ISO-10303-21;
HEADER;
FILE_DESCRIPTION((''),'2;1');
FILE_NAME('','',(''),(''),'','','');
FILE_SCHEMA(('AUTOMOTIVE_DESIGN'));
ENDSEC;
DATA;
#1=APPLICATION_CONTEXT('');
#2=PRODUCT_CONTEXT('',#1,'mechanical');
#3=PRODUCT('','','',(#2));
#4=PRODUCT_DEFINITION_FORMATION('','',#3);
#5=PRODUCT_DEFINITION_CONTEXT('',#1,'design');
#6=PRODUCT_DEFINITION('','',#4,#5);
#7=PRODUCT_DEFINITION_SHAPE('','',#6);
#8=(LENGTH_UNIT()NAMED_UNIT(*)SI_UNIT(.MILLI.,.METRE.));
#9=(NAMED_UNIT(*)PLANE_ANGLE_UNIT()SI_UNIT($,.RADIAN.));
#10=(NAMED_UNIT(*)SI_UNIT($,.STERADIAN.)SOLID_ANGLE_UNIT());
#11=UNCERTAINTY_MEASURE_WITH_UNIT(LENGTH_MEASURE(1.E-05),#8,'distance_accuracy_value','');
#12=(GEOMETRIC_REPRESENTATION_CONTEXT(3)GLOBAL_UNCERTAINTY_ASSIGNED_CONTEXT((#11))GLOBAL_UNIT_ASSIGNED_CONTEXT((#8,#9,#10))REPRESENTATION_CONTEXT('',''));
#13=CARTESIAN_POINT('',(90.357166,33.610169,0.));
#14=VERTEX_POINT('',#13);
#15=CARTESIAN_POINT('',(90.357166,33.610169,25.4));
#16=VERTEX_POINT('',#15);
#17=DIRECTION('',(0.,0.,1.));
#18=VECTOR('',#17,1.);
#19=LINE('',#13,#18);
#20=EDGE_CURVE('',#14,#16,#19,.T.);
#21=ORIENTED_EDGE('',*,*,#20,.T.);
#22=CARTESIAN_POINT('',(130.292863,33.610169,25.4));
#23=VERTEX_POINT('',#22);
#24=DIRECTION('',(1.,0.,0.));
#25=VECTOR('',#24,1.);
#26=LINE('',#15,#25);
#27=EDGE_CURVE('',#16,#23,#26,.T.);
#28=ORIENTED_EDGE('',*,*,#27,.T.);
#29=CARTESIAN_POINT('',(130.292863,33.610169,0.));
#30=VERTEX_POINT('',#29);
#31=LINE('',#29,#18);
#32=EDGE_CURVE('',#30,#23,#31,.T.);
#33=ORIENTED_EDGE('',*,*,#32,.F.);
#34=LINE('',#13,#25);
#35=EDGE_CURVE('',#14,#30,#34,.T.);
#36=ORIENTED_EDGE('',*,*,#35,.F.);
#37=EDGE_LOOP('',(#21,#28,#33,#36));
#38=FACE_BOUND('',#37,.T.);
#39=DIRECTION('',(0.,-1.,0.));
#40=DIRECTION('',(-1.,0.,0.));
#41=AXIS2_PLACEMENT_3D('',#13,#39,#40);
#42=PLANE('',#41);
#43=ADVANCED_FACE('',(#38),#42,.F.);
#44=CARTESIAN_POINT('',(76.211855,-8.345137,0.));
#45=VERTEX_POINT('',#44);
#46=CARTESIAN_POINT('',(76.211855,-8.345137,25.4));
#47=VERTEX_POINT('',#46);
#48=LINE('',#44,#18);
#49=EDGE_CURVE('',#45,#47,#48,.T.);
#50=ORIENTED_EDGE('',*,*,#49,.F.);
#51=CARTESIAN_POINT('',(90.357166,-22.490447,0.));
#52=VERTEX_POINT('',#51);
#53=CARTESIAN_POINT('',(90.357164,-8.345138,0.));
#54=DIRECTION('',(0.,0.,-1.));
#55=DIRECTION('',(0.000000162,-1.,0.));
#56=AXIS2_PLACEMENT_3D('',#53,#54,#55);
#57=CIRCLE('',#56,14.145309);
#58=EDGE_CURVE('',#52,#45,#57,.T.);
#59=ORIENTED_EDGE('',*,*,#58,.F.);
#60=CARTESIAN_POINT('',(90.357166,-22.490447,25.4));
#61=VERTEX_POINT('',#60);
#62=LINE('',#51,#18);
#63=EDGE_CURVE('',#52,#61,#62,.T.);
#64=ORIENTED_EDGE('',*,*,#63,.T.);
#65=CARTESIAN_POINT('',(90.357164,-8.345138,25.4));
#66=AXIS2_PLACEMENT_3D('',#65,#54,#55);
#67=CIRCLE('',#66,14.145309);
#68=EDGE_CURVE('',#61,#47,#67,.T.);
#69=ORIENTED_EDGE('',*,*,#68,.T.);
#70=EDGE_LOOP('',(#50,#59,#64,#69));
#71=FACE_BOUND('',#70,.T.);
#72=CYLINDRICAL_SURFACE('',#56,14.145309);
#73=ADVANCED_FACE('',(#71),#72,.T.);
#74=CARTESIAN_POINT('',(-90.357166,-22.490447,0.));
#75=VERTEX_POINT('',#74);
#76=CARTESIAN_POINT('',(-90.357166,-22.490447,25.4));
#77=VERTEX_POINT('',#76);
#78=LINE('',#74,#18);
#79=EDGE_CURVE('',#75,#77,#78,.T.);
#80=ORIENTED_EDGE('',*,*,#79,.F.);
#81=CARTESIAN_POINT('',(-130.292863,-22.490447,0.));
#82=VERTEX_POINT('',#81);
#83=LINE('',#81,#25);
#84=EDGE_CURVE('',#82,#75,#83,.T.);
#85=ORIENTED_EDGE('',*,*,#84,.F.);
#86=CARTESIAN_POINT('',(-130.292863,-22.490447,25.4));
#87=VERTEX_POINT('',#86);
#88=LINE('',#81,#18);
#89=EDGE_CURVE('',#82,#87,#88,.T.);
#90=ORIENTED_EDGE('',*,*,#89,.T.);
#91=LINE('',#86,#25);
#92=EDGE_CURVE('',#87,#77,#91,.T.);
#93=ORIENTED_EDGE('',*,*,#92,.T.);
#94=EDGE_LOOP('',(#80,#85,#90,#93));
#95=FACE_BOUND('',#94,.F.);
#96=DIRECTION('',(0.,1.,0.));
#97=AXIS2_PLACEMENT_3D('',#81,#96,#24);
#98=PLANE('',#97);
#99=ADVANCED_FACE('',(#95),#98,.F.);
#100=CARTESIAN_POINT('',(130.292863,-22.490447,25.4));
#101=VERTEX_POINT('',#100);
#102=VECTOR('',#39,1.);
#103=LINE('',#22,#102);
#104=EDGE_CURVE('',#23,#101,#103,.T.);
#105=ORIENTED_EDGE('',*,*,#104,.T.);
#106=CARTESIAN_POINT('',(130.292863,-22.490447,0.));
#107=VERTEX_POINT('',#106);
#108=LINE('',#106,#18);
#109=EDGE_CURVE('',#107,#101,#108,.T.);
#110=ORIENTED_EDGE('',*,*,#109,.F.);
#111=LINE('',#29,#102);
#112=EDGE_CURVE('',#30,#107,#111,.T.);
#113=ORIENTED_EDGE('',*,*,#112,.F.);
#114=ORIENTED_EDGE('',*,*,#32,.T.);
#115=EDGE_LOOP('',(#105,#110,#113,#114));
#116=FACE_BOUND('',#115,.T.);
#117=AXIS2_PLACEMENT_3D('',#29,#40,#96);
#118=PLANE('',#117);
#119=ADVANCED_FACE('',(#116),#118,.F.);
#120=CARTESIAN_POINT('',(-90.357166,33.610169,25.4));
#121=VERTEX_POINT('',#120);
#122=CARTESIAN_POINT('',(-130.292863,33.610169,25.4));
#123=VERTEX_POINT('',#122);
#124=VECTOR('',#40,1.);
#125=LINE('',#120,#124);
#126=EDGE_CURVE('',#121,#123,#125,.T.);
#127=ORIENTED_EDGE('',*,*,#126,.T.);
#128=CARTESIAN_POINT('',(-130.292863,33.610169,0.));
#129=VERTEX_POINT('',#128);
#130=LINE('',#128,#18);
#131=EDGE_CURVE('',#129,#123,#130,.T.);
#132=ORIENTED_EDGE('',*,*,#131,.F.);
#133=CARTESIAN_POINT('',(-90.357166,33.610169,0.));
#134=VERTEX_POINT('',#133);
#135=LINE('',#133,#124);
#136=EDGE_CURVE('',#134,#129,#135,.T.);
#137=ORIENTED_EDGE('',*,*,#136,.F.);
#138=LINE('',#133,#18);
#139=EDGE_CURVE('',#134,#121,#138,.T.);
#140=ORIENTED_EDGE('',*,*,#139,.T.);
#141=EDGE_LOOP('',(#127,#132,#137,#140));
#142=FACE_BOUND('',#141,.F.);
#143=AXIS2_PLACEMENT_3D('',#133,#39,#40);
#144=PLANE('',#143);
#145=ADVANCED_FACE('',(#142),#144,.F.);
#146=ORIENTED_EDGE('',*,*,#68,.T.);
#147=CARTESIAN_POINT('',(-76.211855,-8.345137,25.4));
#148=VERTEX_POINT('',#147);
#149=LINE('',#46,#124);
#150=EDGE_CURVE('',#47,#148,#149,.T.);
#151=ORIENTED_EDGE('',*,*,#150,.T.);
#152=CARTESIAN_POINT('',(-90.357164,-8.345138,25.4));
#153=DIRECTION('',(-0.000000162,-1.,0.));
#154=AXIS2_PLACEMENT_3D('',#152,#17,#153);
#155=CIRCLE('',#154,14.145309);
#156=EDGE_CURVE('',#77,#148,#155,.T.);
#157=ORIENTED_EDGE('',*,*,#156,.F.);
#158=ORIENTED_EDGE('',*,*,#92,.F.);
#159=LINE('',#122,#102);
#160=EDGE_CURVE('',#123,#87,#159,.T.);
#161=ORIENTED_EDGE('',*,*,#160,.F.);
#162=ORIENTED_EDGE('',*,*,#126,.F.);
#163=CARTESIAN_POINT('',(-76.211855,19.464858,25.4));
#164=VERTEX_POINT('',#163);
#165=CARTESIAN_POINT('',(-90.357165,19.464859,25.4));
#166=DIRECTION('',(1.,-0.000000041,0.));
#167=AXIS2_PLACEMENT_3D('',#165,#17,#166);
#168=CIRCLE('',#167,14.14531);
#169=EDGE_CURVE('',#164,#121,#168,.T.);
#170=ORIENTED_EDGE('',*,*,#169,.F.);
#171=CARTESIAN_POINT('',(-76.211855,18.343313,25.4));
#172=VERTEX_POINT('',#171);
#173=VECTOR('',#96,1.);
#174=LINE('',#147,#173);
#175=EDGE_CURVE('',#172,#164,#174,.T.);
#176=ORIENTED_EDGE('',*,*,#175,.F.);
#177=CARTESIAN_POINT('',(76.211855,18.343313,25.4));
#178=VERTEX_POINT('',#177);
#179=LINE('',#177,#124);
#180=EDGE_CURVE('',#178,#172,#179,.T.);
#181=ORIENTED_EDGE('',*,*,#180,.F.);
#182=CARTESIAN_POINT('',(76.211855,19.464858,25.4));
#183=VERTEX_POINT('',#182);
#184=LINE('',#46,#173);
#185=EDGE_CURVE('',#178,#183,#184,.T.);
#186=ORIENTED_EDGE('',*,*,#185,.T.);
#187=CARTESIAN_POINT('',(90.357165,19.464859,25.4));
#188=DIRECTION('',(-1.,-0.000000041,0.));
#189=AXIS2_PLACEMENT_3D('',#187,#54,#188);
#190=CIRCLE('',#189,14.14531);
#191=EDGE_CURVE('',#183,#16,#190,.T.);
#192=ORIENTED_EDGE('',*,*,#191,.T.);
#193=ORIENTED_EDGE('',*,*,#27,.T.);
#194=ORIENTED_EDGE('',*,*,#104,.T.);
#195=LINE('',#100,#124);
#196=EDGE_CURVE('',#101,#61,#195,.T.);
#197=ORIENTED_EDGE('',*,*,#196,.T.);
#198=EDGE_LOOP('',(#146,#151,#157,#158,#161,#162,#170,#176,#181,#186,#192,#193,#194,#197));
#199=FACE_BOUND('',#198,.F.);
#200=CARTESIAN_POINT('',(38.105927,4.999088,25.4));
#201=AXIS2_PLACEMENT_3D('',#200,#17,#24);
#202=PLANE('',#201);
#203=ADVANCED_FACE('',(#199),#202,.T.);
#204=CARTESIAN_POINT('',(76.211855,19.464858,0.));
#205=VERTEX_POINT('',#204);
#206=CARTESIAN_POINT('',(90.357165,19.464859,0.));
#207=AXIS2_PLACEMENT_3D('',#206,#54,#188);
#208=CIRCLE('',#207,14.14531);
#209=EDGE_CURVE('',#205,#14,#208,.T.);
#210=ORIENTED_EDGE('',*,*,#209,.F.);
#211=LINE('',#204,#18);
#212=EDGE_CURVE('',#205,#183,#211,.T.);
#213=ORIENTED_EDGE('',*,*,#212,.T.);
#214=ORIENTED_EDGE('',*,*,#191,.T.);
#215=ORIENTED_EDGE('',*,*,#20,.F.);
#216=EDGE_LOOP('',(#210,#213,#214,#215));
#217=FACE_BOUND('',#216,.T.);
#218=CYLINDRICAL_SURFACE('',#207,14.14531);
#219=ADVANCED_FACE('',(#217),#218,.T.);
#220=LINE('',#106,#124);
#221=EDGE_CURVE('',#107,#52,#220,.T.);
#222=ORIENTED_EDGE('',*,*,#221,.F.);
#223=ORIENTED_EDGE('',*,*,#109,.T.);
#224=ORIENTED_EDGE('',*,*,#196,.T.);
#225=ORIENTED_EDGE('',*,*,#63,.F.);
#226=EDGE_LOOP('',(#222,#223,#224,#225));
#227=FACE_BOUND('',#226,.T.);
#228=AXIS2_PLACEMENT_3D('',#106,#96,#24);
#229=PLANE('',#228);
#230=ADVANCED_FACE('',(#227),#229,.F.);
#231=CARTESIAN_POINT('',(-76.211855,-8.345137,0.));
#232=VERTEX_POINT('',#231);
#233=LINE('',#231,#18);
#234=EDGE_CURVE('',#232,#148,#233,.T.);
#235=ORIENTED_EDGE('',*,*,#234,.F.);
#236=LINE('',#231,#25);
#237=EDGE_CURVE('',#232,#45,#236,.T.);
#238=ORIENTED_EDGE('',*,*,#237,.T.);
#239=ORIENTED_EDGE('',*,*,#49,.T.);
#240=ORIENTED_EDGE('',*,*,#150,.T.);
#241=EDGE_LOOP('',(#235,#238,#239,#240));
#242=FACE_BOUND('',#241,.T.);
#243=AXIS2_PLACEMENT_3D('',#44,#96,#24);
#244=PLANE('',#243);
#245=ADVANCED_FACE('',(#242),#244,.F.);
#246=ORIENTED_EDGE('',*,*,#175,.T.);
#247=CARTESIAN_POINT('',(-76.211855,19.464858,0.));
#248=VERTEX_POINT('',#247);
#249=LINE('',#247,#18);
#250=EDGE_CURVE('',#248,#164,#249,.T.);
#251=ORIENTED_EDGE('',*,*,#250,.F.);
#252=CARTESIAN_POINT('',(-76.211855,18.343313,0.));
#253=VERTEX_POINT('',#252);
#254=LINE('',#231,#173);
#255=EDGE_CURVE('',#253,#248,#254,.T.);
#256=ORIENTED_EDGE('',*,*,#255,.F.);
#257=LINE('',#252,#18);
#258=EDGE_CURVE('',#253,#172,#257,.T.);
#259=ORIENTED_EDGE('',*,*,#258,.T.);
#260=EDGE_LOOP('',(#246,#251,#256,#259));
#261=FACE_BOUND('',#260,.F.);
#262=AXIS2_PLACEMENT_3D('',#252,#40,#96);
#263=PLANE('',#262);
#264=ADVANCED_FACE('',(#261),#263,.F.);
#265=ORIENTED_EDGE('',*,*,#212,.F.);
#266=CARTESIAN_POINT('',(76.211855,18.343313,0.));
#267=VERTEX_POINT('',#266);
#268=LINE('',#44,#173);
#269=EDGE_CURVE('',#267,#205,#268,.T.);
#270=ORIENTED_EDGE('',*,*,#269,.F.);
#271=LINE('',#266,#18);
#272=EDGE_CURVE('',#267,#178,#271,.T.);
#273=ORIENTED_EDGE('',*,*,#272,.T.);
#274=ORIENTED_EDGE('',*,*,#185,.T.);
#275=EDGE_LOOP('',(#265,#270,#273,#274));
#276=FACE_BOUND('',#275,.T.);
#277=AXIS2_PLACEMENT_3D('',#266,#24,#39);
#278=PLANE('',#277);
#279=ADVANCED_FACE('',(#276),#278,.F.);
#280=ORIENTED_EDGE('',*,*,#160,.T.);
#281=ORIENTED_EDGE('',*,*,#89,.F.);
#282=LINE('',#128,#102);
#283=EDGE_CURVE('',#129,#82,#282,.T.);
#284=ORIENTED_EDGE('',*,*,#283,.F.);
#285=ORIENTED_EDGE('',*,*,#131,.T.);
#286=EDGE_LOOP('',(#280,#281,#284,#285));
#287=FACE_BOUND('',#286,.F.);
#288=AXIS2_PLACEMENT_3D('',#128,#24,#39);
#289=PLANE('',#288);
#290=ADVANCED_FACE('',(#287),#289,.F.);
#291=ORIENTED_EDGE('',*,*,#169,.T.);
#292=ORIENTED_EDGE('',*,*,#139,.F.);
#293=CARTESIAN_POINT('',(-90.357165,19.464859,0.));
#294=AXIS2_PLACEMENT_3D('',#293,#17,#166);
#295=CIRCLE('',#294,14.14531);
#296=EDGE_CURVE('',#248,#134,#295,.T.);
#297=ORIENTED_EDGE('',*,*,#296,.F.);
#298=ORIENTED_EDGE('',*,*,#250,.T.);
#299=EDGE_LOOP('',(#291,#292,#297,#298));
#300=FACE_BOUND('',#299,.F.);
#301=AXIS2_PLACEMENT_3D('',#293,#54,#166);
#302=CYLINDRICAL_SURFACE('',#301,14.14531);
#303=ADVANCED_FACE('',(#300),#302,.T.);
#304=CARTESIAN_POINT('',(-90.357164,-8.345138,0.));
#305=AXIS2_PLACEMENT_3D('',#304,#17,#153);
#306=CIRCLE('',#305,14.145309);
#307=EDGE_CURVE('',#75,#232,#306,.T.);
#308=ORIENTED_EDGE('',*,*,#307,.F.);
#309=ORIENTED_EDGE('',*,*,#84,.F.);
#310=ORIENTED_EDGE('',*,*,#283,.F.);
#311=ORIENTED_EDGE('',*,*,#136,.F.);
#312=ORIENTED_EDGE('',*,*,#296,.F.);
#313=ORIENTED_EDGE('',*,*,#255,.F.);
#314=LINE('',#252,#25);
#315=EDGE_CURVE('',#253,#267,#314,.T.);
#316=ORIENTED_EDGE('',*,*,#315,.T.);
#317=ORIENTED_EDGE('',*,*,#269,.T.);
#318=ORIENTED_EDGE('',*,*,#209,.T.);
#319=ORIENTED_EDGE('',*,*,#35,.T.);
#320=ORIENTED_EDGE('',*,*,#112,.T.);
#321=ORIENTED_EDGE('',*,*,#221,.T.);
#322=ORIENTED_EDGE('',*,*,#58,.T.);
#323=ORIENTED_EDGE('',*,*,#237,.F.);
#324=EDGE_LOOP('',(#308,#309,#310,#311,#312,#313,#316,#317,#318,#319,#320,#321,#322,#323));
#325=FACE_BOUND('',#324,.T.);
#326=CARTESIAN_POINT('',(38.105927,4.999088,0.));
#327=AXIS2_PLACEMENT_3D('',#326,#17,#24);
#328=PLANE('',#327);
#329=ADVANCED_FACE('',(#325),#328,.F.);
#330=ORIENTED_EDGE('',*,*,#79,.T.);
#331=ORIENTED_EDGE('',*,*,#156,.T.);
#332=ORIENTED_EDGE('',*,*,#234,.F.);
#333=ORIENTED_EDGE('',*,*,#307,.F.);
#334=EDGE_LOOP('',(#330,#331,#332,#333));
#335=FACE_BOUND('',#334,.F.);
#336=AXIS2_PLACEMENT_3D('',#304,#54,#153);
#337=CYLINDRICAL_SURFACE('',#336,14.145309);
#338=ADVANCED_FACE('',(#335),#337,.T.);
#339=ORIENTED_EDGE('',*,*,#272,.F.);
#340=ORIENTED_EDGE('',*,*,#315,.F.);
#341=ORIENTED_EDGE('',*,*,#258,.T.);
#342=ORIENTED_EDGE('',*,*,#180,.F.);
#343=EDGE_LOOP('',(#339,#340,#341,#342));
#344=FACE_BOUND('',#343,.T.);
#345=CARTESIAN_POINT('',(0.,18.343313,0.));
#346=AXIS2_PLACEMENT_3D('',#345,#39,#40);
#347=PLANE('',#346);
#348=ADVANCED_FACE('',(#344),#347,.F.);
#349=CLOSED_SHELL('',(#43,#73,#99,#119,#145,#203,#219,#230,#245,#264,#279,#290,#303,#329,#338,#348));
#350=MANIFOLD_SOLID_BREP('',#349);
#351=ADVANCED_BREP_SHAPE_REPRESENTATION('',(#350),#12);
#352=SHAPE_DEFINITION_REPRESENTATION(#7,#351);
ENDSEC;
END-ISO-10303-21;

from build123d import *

# Parameters (mm, degrees)
F1_DEPTH = 25.4


with BuildPart() as f1:
    # F0 (on Top) → F1 (new body)
    with BuildSketch(Plane.XY):
        Polygon((-76.211855, 18.343313), (-76.211855, 17.691907), (-76.211855, -8.345137), (0, -8.345137), (0, 8.345137), (0, 18.343313), align=None)
        with BuildLine():
            Line((-76.211855, -8.345137), (-76.211855, 17.691907))
            Line((-76.211855, 17.691907), (-76.211855, 18.343313))
            Line((-76.211855, 18.343313), (-76.211855, 19.464858))
            ThreePointArc((-76.211855, 19.464858), (-80.35492, 29.467103), (-90.357166, 33.610169))
            Line((-90.357166, 33.610169), (-130.292863, 33.610169))
            Line((-130.292863, 33.610169), (-130.292863, -22.490447))
            Line((-130.292863, -22.490447), (-90.357166, -22.490447))
            ThreePointArc((-90.357166, -22.490447), (-80.35492, -18.347382), (-76.211855, -8.345137))
        make_face()
    extrude(amount=F1_DEPTH)

    # F2: F1 across face


with BuildPart() as f1_1:
    add(f1.part)
    add(f1.part.mirror(Plane(origin=(0, 4.999088, 12.7), x_dir=(0, 1, 0), z_dir=(1, 0, 0))))


solid = f1_1.part
